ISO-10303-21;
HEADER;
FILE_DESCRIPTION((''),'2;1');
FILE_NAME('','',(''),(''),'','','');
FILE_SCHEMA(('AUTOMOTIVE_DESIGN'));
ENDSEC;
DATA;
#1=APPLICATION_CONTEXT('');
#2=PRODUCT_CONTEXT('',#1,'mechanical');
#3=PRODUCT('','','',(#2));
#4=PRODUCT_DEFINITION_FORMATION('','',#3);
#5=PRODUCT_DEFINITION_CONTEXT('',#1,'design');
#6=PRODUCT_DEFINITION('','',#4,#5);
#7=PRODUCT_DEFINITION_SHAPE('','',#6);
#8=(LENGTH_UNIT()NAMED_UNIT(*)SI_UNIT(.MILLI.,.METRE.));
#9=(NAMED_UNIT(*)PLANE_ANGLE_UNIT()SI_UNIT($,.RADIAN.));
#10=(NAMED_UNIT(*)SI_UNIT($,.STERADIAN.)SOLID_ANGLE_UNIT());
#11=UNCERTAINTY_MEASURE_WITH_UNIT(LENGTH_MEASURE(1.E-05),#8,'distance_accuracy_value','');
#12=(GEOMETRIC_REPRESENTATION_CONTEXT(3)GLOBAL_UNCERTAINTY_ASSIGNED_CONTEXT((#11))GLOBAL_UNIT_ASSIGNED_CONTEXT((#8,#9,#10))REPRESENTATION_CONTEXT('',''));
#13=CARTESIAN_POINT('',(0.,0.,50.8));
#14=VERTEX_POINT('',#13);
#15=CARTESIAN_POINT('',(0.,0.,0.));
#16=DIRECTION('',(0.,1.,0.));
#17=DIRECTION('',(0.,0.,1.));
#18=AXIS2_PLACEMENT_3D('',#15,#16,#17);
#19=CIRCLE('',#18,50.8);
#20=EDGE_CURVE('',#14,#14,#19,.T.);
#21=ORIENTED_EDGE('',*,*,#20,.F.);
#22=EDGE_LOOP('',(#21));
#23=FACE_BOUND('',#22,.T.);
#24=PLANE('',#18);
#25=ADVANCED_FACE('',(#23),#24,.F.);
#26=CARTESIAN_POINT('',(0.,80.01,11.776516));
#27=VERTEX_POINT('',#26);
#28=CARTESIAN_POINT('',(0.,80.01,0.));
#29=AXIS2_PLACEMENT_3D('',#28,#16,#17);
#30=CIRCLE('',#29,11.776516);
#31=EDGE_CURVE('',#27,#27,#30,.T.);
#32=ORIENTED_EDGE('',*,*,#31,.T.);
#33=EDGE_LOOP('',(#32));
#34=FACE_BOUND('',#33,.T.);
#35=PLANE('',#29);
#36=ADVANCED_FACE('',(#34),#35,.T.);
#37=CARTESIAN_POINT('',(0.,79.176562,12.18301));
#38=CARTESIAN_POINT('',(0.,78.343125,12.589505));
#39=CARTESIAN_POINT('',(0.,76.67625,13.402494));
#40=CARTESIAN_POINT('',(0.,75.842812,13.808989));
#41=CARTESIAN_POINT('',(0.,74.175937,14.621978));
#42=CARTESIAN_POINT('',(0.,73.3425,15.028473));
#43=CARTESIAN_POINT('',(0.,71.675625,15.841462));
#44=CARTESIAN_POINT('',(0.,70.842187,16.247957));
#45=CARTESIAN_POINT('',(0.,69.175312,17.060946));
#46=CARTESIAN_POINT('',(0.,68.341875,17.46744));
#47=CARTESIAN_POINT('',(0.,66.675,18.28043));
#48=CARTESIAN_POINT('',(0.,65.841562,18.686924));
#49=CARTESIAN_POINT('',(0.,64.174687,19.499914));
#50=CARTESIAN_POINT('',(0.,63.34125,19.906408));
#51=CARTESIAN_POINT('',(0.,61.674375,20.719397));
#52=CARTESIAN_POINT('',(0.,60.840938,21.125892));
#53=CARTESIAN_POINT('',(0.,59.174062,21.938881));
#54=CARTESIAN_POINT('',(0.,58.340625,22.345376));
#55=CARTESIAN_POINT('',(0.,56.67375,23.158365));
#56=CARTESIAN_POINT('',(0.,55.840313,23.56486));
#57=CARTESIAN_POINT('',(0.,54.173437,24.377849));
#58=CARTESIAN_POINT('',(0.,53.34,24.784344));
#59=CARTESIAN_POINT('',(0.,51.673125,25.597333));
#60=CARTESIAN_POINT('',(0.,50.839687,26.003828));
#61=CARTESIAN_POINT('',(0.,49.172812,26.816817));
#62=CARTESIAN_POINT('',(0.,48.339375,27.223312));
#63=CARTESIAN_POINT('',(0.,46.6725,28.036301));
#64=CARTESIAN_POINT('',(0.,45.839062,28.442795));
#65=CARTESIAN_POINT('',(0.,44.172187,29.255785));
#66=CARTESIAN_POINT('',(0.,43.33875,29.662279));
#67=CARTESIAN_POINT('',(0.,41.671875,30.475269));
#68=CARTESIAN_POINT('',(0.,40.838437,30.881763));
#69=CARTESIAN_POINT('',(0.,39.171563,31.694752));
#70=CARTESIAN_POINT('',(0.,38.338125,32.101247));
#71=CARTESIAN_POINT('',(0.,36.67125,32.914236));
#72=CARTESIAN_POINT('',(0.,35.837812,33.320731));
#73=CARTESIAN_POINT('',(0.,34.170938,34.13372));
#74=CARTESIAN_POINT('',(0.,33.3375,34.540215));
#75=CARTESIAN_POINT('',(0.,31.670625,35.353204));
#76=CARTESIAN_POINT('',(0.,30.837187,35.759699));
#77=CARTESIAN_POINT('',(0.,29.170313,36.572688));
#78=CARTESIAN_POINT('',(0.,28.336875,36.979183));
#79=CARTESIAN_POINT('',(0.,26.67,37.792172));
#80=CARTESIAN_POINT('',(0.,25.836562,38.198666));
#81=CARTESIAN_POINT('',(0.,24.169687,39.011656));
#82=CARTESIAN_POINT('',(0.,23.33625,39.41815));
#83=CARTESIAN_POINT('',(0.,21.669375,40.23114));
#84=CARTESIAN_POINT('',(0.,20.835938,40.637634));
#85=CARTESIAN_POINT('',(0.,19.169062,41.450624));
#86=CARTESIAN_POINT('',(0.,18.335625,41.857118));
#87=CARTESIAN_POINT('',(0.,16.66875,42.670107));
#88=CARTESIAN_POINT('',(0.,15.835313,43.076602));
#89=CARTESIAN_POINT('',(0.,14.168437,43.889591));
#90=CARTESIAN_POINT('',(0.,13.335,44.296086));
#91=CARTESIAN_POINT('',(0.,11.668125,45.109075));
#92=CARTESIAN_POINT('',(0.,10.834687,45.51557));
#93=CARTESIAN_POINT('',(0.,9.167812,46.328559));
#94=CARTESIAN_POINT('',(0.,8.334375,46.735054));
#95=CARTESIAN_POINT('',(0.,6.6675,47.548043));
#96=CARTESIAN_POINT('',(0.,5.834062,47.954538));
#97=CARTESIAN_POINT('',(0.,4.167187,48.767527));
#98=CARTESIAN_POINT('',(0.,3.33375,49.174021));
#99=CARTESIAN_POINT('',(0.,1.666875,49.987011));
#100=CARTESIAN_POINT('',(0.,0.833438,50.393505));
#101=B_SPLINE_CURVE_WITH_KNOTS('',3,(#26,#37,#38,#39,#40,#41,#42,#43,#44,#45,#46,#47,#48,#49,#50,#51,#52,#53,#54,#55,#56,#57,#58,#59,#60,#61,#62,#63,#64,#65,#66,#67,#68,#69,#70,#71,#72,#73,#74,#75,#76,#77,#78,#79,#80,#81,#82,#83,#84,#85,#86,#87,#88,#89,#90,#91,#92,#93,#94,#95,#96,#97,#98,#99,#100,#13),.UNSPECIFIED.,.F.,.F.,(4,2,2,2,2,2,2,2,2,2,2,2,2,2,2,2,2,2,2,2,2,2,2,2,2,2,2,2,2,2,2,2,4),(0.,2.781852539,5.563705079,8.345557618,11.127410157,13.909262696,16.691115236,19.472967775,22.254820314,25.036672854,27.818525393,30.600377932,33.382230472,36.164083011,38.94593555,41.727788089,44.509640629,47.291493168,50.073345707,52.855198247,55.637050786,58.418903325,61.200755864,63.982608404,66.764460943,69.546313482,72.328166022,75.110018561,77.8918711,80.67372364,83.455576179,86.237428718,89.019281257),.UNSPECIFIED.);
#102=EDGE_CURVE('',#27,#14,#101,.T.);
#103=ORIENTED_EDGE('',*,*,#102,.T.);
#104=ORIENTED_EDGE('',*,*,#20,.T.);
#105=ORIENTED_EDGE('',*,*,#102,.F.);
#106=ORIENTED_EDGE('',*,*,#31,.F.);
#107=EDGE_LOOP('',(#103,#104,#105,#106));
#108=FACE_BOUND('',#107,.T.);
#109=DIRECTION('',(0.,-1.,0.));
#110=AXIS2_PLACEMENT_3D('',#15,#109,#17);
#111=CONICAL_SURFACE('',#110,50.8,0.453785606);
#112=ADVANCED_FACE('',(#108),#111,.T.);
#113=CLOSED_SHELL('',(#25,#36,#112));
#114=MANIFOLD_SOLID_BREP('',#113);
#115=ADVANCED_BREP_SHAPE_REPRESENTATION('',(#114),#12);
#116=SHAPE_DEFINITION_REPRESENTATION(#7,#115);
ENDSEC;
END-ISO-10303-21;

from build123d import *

# Parameters (mm, degrees)
SKETCH1_R           = 50.8
BOSS_EXTRUDE1_DEPTH = 80.01
BOSS_EXTRUDE1_TAPER = 26


with BuildPart() as part:
    # Sketch1 → Boss-Extrude1 (new body)
    with BuildSketch(Plane(origin=(0, 0, 0), x_dir=(1, 0, 0), z_dir=(0, 1, 0))):
        Circle(SKETCH1_R)
    extrude(amount=BOSS_EXTRUDE1_DEPTH, taper=BOSS_EXTRUDE1_TAPER)


solid = part.part
